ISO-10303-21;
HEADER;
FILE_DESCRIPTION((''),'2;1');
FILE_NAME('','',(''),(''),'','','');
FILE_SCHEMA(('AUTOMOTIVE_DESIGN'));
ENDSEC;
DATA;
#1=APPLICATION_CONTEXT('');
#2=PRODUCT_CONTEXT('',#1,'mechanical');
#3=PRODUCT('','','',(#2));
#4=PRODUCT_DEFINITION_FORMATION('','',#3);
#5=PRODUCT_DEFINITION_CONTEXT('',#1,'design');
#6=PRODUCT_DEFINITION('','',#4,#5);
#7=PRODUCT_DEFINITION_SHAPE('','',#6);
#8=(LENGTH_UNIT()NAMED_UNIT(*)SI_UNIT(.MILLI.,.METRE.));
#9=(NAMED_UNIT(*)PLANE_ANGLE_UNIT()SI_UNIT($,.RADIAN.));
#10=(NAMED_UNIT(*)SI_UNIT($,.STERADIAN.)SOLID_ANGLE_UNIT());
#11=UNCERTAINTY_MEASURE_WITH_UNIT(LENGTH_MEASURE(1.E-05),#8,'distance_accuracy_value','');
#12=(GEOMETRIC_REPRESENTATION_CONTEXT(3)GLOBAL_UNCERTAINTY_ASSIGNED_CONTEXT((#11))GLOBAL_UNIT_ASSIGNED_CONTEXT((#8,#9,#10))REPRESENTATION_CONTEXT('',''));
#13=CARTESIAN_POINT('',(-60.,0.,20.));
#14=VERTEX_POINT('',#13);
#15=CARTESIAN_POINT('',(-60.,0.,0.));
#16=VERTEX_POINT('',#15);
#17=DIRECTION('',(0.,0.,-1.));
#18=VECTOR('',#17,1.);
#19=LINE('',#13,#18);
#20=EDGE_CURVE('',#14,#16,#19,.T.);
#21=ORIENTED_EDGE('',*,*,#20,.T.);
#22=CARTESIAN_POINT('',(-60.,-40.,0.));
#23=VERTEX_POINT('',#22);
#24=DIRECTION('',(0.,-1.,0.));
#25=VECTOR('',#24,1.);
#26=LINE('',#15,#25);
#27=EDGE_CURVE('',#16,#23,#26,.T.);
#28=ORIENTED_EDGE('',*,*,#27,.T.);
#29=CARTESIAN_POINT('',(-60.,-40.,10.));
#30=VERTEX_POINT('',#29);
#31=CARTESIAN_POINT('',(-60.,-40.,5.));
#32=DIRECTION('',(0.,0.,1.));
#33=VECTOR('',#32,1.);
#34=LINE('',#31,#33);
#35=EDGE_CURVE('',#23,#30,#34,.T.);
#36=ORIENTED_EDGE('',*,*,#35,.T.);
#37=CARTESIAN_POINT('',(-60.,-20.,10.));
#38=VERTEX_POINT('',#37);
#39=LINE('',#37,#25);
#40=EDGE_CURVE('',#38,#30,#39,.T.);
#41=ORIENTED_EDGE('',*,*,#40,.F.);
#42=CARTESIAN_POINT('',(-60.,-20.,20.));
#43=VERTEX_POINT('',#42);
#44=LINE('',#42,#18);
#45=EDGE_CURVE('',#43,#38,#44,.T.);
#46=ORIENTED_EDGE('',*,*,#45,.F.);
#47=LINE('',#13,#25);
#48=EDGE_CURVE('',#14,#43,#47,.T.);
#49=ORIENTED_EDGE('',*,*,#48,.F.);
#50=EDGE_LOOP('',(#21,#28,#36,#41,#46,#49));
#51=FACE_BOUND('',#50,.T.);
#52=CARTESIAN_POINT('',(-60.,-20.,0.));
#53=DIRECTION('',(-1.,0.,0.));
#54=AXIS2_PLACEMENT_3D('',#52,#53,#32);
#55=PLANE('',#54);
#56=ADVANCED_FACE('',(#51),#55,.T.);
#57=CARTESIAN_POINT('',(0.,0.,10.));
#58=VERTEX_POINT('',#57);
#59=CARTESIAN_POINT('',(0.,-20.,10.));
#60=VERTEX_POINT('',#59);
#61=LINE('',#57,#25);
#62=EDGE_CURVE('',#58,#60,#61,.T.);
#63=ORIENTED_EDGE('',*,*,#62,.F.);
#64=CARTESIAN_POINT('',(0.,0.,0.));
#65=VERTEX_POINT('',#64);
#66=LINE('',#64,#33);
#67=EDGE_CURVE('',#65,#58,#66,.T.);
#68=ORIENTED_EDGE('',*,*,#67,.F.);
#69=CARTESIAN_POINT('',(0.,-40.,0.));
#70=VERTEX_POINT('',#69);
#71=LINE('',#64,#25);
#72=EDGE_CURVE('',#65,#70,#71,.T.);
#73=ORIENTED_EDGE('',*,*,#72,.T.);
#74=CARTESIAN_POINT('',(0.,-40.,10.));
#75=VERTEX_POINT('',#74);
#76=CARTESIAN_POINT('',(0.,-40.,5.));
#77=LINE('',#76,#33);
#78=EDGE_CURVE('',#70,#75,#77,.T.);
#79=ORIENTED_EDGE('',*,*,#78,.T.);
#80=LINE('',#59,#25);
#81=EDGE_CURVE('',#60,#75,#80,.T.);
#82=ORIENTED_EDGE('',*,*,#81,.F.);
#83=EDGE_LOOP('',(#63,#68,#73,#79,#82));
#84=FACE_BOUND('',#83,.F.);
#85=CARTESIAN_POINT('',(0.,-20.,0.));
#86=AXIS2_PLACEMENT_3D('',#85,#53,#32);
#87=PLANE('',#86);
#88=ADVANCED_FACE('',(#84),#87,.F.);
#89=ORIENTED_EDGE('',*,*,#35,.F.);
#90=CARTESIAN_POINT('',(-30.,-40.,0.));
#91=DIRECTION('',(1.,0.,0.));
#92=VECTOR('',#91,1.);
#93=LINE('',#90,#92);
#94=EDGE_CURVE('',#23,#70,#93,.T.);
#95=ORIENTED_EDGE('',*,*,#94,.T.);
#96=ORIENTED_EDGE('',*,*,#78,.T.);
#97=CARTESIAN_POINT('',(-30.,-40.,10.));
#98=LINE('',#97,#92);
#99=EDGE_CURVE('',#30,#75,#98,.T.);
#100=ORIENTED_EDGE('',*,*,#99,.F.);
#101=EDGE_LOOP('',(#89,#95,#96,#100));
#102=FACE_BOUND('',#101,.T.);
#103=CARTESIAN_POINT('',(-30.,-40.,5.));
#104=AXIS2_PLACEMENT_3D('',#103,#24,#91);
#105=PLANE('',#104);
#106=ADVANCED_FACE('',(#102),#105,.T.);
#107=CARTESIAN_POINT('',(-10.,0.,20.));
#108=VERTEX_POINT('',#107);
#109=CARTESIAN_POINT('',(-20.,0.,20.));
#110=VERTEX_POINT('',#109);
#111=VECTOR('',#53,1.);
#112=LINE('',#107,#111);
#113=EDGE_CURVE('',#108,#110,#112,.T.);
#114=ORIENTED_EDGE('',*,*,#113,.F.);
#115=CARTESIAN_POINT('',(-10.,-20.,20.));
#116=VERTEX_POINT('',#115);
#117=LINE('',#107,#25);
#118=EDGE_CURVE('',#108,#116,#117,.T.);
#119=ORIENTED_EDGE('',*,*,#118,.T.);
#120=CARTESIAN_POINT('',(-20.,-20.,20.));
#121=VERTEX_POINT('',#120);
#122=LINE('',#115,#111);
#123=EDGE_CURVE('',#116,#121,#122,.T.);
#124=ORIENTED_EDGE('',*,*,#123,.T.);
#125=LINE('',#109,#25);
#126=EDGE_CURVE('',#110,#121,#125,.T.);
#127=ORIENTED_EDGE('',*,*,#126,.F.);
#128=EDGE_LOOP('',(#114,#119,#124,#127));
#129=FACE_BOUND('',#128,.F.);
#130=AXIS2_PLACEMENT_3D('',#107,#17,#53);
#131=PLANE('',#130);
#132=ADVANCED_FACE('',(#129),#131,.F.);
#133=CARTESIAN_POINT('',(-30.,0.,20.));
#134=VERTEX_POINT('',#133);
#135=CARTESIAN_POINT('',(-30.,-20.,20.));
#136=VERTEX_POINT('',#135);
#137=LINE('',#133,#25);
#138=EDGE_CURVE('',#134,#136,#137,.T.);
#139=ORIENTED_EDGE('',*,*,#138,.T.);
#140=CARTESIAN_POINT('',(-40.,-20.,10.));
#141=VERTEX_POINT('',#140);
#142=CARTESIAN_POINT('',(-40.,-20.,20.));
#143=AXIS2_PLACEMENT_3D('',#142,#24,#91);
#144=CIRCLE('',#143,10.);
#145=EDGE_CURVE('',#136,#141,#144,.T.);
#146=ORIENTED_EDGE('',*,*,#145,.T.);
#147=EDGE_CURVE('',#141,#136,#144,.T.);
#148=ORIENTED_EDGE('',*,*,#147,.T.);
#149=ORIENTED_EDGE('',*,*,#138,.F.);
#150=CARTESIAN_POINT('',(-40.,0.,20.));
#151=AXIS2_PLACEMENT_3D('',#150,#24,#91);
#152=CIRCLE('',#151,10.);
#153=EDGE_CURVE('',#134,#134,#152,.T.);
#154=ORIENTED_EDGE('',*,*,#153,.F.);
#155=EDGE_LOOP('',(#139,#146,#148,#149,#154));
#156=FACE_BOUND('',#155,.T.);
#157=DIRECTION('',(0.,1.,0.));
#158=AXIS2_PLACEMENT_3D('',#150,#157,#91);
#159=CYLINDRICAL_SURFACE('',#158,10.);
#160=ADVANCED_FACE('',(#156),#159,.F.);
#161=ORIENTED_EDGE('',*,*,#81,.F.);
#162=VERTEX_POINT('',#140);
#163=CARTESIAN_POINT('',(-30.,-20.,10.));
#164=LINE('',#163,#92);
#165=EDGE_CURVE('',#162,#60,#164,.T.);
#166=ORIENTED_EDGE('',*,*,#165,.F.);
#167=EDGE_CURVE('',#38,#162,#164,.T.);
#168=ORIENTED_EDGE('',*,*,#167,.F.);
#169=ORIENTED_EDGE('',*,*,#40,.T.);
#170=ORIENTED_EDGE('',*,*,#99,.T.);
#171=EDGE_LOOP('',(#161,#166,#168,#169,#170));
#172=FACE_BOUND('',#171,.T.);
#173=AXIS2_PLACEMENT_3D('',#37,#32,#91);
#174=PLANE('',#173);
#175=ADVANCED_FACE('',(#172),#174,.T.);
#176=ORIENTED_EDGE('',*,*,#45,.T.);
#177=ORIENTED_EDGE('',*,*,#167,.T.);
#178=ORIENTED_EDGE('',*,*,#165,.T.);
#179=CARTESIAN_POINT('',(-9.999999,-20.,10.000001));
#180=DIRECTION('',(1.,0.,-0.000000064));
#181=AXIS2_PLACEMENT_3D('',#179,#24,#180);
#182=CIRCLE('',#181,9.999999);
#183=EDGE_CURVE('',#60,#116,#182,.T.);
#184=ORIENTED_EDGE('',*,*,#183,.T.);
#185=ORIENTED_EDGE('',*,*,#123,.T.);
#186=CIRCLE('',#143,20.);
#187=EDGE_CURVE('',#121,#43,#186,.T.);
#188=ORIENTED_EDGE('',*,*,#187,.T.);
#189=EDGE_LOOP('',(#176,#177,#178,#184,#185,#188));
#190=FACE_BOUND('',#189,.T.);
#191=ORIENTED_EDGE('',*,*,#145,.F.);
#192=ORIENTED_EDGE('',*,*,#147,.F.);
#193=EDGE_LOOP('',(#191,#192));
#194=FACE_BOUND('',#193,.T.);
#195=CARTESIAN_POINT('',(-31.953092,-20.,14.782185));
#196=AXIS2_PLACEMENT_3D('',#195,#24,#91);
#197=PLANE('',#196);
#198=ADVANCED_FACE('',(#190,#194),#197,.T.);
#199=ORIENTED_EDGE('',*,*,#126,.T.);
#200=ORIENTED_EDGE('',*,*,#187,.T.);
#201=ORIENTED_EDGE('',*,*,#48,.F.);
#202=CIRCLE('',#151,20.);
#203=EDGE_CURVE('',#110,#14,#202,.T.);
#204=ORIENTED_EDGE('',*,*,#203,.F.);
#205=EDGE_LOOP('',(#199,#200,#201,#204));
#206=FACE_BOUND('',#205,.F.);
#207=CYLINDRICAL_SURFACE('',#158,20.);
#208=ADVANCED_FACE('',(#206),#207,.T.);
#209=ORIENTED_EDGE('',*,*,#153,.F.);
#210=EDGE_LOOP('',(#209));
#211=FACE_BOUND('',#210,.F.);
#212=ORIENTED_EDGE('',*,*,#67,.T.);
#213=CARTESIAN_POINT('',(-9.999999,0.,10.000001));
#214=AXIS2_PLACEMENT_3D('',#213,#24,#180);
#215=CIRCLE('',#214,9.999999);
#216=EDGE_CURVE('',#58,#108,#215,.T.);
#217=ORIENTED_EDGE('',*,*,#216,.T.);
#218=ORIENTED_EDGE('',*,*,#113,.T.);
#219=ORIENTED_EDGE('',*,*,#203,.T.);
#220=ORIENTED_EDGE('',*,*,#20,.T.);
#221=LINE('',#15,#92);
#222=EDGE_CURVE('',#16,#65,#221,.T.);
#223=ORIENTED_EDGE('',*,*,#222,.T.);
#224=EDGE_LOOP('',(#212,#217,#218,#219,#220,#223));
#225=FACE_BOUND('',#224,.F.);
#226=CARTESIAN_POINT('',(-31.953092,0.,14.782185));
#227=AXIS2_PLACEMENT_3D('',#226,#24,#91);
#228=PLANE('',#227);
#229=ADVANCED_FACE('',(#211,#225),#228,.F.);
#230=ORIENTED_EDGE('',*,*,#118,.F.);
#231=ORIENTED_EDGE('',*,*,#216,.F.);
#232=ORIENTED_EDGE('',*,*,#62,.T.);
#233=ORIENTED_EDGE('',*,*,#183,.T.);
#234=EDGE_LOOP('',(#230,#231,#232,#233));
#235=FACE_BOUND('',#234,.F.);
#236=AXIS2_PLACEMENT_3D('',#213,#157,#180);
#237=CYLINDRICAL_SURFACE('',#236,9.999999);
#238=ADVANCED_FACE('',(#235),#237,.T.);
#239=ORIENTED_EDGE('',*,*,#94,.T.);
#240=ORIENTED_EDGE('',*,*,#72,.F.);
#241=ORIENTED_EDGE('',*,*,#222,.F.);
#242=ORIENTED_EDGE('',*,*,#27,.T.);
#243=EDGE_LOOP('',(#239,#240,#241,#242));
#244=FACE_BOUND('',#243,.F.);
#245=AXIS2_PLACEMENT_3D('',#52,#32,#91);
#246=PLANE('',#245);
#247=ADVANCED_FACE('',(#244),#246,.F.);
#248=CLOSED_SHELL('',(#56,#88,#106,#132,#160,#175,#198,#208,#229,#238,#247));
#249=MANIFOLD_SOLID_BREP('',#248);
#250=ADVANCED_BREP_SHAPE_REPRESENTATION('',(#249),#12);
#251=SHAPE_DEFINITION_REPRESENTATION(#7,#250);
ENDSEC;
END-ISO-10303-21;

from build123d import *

# Parameters (mm, degrees)
F0_R     = 10
F1_DEPTH = 20
F2_W     = 60
F2_H     = 10
F3_DEPTH = 20


with BuildPart() as f1:
    # F0 (on Front) → F1 (new body)
    with BuildSketch(Plane.XZ):
        with BuildLine():
            Line((-60, 0), (0, 0))
            Line((0, 0), (0, 10))
            ThreePointArc((0, 10), (-2.928932, 17.071068), (-10, 20))
            Line((-10, 20), (-20, 20))
            ThreePointArc((-20, 20), (-40, 40), (-60, 20))
            Line((-60, 20), (-60, 10))
            Line((-60, 10), (-60, 0))
        make_face()
        with Locations((-40, 20)):
            Circle(F0_R, mode=Mode.SUBTRACT)
    extrude(amount=F1_DEPTH)

    # F2 (on face) → F3 (join)
    with BuildSketch(Plane.XZ.offset(20)):
        with Locations((-30, 5)):
            Rectangle(F2_W, F2_H)
    extrude(amount=F3_DEPTH)


solid = f1.part
